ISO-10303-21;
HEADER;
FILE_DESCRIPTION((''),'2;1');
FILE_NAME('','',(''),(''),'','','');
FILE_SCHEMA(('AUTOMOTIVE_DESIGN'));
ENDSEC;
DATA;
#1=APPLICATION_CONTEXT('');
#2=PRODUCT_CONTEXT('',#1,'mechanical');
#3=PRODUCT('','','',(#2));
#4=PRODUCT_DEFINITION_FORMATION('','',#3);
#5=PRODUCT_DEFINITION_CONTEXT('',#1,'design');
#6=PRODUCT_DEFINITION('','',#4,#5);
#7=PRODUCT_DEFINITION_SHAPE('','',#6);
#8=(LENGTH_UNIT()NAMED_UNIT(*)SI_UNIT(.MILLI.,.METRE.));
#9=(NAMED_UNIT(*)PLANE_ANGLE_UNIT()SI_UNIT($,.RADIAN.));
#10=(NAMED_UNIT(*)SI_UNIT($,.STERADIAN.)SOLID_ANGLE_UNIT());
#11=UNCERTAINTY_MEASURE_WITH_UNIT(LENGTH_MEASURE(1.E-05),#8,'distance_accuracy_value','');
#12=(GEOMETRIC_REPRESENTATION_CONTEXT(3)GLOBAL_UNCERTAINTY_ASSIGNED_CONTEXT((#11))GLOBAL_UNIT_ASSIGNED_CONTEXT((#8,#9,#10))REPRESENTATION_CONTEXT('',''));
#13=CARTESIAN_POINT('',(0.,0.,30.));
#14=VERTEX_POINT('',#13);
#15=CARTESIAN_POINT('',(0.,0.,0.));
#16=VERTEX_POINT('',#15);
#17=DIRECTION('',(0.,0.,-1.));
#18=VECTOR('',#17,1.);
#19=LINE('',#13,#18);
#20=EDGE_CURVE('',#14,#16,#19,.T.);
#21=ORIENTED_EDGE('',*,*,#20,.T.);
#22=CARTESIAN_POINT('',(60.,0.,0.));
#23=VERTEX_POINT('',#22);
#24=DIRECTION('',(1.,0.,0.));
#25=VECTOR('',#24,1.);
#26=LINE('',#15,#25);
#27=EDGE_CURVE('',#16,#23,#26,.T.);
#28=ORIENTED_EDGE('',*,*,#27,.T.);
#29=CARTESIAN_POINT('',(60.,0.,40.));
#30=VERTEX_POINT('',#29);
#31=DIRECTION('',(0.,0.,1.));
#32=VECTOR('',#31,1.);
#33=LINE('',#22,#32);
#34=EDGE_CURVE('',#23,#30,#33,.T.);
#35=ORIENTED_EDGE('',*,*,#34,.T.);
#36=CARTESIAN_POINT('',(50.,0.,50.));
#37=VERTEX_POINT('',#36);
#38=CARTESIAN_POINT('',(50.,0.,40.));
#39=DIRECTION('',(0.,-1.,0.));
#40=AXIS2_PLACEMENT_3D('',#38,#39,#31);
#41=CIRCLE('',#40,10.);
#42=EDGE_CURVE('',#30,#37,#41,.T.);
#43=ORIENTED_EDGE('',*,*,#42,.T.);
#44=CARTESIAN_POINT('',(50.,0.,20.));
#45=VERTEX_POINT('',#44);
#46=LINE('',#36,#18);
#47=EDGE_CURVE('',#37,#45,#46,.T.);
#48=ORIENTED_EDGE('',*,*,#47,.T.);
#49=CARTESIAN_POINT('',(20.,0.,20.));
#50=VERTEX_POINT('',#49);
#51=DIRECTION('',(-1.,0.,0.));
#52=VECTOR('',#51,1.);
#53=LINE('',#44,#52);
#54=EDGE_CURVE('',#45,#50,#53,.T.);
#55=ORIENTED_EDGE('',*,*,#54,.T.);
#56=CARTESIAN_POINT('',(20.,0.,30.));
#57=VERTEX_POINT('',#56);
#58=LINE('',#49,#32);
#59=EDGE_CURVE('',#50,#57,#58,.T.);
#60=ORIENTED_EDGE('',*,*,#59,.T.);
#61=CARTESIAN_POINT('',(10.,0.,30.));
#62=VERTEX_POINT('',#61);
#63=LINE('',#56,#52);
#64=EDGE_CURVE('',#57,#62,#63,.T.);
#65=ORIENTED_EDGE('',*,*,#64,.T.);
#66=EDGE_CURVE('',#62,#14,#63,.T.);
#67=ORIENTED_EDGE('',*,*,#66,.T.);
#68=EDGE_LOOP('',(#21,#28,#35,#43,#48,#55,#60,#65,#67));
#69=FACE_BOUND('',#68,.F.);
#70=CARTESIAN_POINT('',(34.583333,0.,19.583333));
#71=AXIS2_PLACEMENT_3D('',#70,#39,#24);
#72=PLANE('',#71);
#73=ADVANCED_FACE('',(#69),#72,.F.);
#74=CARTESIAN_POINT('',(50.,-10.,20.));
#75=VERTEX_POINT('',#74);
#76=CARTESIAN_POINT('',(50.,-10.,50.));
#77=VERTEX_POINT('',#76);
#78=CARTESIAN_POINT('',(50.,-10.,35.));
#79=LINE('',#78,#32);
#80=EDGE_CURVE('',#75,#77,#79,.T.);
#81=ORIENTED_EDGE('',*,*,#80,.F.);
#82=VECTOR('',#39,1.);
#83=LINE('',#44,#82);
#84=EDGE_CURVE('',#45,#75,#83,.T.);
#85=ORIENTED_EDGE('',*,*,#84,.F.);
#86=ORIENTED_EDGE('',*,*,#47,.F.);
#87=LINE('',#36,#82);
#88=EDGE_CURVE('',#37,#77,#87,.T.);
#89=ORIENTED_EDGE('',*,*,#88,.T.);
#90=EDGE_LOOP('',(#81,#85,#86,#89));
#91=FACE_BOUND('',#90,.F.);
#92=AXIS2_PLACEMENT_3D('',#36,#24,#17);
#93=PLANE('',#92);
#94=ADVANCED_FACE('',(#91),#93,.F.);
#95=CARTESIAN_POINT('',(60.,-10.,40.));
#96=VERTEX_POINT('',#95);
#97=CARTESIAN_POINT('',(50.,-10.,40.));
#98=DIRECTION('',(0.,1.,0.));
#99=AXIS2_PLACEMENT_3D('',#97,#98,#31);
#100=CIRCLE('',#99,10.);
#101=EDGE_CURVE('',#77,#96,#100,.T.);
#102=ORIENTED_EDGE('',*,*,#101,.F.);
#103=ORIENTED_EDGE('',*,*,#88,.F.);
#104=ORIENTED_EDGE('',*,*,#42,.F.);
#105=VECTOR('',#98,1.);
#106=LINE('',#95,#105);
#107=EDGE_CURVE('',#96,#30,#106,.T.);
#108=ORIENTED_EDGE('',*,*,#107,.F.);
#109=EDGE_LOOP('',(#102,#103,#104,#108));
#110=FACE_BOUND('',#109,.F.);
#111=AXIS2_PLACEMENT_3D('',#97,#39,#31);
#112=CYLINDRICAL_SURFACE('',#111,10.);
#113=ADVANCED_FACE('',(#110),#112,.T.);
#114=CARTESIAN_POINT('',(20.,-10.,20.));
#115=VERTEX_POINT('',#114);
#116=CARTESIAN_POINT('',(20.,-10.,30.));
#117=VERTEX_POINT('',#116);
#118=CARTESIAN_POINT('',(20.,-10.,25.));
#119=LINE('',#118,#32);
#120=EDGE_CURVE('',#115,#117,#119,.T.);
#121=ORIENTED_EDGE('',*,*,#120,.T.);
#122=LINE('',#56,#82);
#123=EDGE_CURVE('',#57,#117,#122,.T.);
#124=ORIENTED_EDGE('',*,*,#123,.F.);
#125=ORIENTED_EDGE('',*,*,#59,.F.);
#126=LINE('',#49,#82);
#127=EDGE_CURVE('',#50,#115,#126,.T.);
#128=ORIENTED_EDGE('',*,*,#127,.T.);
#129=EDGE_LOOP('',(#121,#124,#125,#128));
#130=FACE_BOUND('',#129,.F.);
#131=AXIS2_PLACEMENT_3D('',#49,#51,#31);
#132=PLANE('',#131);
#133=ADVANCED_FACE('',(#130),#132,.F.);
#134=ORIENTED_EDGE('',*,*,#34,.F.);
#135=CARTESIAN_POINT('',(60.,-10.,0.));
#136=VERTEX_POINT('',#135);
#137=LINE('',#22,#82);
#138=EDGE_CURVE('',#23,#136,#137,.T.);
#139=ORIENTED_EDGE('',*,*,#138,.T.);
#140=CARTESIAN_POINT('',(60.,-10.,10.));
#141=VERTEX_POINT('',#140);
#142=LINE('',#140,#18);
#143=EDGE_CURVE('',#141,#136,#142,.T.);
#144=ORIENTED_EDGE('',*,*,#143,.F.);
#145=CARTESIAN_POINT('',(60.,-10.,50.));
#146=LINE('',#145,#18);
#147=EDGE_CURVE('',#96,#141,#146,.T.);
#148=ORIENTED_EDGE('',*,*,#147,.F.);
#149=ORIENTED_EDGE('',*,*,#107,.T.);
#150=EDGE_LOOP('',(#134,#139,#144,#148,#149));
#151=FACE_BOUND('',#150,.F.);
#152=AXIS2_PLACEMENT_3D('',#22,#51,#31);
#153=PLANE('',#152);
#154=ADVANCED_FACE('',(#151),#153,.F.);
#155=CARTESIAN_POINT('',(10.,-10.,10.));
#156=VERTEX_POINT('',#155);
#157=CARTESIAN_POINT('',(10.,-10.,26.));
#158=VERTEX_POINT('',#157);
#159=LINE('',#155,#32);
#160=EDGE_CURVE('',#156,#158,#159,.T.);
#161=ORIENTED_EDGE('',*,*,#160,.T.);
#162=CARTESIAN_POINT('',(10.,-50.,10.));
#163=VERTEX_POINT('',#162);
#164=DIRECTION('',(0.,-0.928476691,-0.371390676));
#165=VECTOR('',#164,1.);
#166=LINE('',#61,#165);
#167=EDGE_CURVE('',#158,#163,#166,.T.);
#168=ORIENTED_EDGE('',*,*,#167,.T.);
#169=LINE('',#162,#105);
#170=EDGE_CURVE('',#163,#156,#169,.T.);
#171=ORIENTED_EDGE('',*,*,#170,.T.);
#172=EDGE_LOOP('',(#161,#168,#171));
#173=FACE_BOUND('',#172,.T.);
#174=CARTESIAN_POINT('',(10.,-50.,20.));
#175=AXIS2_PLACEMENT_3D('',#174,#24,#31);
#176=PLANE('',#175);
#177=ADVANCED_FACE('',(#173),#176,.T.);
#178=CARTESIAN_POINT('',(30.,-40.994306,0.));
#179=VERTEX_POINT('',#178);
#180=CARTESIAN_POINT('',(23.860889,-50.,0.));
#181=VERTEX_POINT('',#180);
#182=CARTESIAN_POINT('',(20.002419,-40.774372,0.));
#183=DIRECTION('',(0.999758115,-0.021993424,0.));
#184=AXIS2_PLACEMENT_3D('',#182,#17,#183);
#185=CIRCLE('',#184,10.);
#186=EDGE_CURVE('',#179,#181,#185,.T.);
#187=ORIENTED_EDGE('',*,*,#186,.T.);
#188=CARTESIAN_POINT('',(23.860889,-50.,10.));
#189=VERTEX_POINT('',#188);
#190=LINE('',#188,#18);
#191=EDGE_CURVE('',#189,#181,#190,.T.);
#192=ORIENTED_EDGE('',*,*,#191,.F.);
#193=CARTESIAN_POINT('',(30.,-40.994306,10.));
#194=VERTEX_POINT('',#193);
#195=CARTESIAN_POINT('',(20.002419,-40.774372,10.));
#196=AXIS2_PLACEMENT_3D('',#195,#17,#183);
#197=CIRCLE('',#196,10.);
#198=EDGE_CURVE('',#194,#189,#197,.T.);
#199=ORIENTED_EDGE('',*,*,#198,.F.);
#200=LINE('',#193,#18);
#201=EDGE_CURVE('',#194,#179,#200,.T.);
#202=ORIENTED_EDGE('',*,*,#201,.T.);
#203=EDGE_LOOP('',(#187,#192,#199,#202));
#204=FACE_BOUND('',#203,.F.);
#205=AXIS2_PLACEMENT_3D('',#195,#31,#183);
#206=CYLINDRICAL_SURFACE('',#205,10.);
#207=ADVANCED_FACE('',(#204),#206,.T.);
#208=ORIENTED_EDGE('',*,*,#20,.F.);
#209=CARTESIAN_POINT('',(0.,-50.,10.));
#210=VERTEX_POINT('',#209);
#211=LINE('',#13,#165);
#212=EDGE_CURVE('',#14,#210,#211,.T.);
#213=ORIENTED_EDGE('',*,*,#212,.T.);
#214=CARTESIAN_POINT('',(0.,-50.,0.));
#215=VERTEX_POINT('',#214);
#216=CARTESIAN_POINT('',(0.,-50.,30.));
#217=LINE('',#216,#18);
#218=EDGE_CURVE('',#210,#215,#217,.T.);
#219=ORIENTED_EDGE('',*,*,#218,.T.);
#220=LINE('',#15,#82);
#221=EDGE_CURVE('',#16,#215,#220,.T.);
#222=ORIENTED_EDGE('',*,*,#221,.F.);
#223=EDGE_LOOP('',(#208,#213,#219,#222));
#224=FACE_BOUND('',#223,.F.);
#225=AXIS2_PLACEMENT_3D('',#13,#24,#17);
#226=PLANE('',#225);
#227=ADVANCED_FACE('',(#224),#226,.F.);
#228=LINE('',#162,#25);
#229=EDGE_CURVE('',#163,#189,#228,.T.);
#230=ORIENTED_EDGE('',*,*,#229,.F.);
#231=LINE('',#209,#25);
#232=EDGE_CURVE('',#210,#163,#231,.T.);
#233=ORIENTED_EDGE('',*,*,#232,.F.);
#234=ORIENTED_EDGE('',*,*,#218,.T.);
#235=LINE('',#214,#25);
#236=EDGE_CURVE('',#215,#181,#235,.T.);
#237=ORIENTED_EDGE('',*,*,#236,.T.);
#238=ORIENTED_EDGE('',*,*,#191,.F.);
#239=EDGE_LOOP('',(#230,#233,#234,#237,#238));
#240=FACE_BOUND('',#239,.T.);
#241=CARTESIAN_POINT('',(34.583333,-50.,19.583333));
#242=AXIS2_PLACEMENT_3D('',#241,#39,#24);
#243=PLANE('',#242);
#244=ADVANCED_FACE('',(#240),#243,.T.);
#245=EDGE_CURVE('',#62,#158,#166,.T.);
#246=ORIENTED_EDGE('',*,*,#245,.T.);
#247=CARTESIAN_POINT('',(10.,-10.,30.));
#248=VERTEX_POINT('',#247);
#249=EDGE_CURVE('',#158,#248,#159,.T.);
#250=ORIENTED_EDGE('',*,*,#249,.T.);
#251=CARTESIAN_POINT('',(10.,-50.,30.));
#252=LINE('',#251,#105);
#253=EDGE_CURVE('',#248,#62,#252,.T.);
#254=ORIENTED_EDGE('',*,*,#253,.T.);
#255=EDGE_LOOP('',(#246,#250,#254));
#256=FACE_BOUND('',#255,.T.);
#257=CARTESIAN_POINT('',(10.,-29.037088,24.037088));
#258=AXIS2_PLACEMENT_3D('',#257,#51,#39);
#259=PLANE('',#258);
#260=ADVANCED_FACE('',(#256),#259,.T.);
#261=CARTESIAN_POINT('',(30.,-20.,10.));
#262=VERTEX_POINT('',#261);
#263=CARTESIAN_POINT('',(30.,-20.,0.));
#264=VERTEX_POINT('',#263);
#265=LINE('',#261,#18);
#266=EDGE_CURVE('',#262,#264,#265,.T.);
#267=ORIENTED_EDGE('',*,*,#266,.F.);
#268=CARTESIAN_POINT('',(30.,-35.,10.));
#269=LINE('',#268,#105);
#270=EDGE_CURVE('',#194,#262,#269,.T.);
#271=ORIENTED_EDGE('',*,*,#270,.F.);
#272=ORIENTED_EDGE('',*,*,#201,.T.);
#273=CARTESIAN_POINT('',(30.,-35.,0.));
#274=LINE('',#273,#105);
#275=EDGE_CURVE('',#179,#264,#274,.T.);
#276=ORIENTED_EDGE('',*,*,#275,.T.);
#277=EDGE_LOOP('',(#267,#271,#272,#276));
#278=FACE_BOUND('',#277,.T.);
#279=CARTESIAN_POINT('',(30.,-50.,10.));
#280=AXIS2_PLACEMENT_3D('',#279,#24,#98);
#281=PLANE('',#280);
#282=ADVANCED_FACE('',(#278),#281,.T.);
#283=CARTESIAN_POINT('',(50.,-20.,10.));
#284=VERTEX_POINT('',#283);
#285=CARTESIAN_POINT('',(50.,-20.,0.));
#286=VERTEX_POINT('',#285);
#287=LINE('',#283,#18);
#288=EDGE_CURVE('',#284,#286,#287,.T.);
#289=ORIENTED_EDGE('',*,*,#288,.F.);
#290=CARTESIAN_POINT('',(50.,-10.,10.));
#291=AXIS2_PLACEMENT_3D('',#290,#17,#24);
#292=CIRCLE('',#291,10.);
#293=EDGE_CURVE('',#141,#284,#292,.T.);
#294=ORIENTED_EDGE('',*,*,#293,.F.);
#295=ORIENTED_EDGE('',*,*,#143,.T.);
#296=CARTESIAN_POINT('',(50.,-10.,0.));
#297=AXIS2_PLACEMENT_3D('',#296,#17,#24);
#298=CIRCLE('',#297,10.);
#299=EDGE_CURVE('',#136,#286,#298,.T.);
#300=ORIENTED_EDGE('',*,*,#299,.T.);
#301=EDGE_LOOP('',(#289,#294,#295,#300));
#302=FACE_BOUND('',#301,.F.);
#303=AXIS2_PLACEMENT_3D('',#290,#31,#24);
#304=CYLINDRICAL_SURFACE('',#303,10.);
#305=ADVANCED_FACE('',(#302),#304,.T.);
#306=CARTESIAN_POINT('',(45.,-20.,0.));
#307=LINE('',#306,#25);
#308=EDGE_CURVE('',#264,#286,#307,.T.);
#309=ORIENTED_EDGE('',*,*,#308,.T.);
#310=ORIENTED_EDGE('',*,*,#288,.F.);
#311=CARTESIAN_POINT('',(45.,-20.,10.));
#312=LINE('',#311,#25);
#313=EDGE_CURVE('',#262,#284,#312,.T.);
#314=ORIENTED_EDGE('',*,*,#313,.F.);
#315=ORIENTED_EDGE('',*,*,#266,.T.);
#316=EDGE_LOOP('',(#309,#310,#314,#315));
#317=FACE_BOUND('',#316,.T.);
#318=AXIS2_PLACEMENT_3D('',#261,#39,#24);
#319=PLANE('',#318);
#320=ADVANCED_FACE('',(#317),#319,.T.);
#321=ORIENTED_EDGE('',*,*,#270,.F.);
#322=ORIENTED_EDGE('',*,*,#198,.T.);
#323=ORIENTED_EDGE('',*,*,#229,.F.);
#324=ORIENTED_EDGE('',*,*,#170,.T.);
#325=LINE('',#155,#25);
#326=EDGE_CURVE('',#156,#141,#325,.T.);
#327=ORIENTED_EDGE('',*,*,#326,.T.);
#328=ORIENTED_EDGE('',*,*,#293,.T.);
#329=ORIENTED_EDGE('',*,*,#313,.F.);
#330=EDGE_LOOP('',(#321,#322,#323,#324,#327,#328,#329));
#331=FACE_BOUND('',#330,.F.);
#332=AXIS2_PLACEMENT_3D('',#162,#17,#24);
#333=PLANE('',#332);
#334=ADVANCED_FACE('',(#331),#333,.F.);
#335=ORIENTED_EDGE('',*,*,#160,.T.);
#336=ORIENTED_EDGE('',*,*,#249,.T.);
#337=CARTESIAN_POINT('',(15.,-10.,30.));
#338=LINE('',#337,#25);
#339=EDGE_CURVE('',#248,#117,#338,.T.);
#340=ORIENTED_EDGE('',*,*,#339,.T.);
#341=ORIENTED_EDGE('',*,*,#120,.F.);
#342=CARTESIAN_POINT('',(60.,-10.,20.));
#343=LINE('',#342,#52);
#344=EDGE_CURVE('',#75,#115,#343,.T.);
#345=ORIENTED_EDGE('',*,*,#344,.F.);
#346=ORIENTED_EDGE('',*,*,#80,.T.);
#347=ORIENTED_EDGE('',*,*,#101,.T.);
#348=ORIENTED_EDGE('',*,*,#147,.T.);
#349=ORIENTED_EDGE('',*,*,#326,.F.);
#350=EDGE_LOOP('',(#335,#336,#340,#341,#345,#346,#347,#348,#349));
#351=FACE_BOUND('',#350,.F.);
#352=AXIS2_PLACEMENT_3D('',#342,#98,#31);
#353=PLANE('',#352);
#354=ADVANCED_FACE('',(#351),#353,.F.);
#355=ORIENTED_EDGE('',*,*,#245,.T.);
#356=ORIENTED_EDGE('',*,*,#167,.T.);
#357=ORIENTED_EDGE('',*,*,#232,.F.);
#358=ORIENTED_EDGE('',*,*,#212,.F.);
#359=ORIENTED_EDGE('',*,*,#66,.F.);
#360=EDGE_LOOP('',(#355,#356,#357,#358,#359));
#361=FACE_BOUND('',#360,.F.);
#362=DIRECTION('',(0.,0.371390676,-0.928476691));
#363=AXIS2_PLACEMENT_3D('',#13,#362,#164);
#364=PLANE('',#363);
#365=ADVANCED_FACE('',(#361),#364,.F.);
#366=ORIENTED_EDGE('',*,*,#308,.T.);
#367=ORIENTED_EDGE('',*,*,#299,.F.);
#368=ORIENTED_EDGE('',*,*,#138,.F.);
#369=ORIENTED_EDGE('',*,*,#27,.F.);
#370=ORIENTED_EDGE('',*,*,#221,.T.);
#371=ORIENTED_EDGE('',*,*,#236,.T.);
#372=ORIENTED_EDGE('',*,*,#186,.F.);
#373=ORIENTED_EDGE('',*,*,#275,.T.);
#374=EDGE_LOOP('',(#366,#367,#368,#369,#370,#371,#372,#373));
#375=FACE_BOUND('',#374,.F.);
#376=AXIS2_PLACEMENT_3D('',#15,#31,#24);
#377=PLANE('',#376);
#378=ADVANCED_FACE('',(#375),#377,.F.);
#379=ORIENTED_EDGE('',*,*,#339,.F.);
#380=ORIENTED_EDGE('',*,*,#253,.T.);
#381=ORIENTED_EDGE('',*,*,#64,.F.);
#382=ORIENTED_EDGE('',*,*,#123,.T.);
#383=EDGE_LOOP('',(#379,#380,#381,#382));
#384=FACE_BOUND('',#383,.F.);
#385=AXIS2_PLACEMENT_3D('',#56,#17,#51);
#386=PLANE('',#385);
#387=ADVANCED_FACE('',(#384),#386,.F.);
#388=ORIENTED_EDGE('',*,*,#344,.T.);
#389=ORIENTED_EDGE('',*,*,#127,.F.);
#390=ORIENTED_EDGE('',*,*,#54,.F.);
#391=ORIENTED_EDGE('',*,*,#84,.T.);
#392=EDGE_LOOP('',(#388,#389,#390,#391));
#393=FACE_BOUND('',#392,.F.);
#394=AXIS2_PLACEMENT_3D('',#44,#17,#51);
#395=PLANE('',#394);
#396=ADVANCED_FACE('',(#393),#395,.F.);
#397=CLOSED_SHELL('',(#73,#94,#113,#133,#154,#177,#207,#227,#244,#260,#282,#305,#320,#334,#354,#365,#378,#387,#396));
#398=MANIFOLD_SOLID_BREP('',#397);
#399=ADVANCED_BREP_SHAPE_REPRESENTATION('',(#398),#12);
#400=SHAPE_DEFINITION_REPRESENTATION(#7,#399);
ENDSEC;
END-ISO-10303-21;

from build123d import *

# Parameters (mm, degrees)
F1_DEPTH  = 50
F3_DEPTH  = 40
F4_W      = 10
F4_H      = 10
F5_DEPTH  = 40
F7_DEPTH  = 10
F8_W      = 40
F8_H      = 30
F9_DEPTH  = 40
F11_DEPTH = 25
F12_W     = 30
F12_H     = 30
F13_DEPTH = 10
F15_DEPTH = 10


with BuildPart() as f1:
    # F0 (on Front) → F1 (new body)
    with BuildSketch(Plane.XZ):
        Polygon((0, 30), (0, 0), (60, 0), (60, 50), (50, 50), (50, 20), (20, 20), (20, 30), align=None)
    extrude(amount=F1_DEPTH)

    # F2 (on face) → F3 (cut)
    with BuildSketch(Plane.XZ.offset(50)):
        Polygon((10, 20), (10, 10), (60, 10), (60, 20), (50, 20), (20, 20), align=None)
    extrude(amount=-F3_DEPTH, mode=Mode.SUBTRACT)

    # F4 (on face) → F5 (cut)
    with BuildSketch(Plane.XZ.offset(50)):
        with Locations((15, 25)):
            Rectangle(F4_W, F4_H)
    extrude(amount=-F5_DEPTH, mode=Mode.SUBTRACT)

    # F6 (on face) → F7 (cut)
    with BuildSketch(Plane(origin=(0, 0, 0), x_dir=(0, -1, 0), z_dir=(-1, 0, 0))):
        Polygon((0, 30), (50, 10), (50, 30), align=None)
    extrude(amount=-F7_DEPTH, mode=Mode.SUBTRACT)

    # F8 (on face) → F9 (cut)
    with BuildSketch(Plane.YZ.offset(60)):
        with Locations((-30, 35)):
            Rectangle(F8_W, F8_H)
    extrude(amount=-F9_DEPTH, mode=Mode.SUBTRACT)

    # F10 (on face) → F11 (cut)
    with BuildSketch(Plane.XZ.offset(10)):
        with BuildLine():
            ThreePointArc((50, 50), (57.0710678119, 47.0710678119), (60, 40))
            Line((60, 40), (60, 50))
            Line((60, 50), (50, 50))
        make_face()
    extrude(amount=-F11_DEPTH, mode=Mode.SUBTRACT)

    # F12 (on face) → F13 (cut)
    with BuildSketch(Plane.XY.offset(10)):
        with Locations((45, -35)):
            Rectangle(F12_W, F12_H)
    extrude(amount=-F13_DEPTH, mode=Mode.SUBTRACT)

    # F14 (on face) → F15 (cut)
    with BuildSketch(Plane.XY.offset(10)):
        with BuildLine():
            ThreePointArc((60, -10), (57.0710678119, -17.0710678119), (50, -20))
            Line((50, -20), (60, -20))
            Line((60, -20), (60, -10))
        make_face()
        with BuildLine():
            Line((30, -50), (30, -40.9943062672))
            ThreePointArc((30, -40.9943062672), (28.2651766354, -46.407029811), (23.8608885556, -50))
            Line((23.8608885556, -50), (30, -50))
        make_face()
    extrude(amount=-F15_DEPTH, mode=Mode.SUBTRACT)


solid = f1.part
